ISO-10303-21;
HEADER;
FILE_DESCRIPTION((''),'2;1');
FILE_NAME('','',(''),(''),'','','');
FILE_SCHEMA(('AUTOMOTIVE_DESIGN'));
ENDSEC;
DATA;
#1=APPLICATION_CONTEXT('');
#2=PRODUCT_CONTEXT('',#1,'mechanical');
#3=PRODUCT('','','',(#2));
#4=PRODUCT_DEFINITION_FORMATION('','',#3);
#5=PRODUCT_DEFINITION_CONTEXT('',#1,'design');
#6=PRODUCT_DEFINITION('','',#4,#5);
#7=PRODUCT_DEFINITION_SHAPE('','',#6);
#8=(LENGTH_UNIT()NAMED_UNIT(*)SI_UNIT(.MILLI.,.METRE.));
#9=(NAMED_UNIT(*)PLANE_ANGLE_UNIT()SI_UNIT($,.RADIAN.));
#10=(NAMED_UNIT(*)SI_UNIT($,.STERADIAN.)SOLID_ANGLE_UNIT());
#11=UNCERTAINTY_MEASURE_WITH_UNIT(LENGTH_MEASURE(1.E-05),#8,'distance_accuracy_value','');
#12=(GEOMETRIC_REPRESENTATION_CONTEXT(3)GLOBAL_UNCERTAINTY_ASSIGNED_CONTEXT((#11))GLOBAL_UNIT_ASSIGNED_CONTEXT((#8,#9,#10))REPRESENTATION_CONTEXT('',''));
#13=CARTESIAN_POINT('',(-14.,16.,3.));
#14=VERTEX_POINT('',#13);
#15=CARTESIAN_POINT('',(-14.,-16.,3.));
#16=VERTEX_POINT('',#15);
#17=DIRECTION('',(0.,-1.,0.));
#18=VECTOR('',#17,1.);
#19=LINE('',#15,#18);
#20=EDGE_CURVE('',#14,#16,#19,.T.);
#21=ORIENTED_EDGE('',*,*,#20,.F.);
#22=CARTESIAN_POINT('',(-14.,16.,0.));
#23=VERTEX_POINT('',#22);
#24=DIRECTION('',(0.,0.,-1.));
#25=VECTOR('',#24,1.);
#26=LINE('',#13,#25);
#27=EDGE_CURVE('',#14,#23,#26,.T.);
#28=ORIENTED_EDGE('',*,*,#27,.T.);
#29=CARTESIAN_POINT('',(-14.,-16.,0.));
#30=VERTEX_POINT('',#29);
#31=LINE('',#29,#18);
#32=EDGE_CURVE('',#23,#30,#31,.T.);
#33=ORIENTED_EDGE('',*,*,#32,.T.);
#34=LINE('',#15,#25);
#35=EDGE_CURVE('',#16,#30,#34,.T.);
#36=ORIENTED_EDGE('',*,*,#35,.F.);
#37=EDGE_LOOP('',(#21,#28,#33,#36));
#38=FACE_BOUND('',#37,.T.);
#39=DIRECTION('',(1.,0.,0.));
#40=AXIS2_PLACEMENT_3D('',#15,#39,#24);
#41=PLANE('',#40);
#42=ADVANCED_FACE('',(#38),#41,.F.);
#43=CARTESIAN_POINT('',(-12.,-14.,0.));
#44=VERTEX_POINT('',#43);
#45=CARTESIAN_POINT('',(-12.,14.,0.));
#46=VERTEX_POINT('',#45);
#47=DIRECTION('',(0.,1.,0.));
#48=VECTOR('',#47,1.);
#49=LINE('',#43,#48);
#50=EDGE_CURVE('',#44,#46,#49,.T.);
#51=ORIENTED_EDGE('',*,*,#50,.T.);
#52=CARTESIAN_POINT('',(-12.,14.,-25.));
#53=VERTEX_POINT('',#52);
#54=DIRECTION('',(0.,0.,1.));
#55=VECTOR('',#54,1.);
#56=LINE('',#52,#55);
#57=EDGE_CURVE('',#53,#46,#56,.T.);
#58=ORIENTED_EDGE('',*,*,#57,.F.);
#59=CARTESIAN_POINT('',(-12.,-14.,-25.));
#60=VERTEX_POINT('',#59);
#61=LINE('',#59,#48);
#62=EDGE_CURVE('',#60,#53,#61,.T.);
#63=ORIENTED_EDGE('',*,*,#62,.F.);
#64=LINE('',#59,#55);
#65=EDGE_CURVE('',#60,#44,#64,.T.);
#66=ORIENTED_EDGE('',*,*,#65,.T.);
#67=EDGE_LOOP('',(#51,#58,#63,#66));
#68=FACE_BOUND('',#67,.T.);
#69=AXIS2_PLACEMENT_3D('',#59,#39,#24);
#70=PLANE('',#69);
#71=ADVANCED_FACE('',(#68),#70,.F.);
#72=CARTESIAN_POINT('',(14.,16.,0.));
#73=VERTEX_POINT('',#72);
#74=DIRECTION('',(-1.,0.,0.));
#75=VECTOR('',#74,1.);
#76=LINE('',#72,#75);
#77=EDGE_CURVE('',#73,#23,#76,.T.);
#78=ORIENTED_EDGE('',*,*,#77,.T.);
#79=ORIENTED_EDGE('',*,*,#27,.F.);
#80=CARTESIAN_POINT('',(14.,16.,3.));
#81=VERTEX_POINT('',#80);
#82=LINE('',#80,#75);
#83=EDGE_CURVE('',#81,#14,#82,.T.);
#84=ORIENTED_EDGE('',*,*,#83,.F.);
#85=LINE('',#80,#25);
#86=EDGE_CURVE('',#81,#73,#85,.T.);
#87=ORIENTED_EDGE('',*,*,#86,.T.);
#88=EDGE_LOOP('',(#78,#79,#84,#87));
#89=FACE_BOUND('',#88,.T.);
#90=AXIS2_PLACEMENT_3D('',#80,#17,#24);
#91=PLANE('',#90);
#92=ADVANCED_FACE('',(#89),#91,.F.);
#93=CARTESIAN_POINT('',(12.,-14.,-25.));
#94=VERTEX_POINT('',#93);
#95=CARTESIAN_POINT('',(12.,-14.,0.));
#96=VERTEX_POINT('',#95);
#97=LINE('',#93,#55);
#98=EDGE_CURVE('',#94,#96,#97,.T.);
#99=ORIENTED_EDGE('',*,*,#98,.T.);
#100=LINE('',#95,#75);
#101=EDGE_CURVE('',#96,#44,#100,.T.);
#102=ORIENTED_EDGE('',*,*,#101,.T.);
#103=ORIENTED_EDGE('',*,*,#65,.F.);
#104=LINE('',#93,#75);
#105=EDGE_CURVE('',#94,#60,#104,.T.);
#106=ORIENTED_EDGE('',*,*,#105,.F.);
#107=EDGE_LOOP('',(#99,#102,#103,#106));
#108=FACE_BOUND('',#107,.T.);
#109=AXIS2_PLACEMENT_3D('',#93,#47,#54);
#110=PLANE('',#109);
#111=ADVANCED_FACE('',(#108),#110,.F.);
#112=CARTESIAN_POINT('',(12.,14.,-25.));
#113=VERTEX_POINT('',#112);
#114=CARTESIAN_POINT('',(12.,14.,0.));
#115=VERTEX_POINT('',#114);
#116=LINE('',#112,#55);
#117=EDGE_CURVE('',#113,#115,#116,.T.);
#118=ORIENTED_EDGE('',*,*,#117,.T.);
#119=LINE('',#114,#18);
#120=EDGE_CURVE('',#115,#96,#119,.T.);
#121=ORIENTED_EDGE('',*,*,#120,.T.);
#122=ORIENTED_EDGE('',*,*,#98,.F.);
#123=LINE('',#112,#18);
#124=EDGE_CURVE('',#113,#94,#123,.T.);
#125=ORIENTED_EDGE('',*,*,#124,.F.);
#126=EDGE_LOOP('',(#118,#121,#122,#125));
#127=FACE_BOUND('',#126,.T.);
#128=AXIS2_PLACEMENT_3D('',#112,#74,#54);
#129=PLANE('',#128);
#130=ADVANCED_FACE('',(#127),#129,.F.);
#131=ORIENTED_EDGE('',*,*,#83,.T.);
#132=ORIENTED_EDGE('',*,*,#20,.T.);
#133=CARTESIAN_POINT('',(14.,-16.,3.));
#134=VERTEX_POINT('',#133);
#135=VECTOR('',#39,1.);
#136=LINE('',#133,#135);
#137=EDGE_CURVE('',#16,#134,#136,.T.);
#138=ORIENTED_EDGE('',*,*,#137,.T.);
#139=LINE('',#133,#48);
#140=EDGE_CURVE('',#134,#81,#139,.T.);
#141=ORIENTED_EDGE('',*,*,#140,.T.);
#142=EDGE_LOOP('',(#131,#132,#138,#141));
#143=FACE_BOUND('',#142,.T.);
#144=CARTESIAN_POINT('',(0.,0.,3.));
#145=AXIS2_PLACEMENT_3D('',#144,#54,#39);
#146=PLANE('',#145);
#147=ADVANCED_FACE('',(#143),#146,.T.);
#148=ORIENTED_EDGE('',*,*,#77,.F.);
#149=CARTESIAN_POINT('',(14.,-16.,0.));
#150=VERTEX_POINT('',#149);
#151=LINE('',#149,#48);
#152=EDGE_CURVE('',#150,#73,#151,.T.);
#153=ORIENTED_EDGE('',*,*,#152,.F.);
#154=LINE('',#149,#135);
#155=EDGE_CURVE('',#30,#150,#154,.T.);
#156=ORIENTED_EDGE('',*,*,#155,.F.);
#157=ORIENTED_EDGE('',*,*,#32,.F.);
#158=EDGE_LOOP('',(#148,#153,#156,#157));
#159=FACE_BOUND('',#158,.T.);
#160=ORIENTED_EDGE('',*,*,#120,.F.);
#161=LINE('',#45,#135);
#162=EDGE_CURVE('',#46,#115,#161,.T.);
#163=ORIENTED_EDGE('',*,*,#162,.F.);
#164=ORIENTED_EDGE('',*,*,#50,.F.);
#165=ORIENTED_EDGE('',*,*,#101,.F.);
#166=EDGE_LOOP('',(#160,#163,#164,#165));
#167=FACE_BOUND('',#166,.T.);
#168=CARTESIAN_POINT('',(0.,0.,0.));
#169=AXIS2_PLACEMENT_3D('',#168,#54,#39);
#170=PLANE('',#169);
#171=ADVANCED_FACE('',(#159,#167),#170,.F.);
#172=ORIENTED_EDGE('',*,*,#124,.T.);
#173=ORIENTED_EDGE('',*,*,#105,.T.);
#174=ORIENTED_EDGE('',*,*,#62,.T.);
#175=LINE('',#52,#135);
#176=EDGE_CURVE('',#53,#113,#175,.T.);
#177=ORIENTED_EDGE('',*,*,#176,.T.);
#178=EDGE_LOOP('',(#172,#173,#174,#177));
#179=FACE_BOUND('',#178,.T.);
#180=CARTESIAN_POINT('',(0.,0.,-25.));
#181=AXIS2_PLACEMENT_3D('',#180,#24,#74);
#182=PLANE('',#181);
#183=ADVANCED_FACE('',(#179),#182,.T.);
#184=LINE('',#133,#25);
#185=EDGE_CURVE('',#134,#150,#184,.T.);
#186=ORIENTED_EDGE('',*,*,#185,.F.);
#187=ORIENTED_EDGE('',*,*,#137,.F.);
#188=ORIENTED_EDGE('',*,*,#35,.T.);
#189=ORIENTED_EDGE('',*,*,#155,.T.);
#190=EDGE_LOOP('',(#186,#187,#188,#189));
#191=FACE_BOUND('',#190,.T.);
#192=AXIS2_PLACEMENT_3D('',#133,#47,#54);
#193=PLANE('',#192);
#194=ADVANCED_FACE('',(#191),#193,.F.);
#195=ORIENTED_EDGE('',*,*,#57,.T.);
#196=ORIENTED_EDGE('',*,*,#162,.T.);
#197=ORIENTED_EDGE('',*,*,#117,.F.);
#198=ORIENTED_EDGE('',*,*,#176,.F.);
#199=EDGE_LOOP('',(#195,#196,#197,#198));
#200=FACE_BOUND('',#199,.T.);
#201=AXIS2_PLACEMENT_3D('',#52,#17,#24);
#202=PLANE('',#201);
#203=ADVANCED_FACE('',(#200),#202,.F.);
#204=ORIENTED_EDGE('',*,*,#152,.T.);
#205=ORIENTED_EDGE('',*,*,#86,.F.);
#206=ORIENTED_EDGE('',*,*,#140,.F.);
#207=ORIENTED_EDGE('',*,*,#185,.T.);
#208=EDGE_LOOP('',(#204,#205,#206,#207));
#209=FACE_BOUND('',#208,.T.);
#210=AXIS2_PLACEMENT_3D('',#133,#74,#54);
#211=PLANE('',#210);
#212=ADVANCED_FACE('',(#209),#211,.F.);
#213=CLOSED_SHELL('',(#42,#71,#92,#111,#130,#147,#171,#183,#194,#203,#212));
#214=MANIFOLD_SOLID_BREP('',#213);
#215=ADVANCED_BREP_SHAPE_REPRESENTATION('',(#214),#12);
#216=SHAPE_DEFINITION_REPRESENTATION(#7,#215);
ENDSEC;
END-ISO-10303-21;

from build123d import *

# Parameters (mm, degrees)
SKETCH_1_W      = 28
SKETCH_1_H      = 32
EXTRUDE_1_DEPTH = 3
SKETCH_2_W      = 24
SKETCH_2_H      = 28
EXTRUDE_2_DEPTH = 25


with BuildPart() as part:
    # Эскиз1 → Бобышка-Вытянуть1 (new body)
    with BuildSketch(Plane.XY):
        Rectangle(SKETCH_1_W, SKETCH_1_H)
    extrude(amount=EXTRUDE_1_DEPTH)

    # Эскиз2 → Бобышка-Вытянуть2 (add)
    with BuildSketch(Plane(origin=(0, 0, 0), x_dir=(-1, 0, 0), z_dir=(0, 0, -1))):
        Rectangle(SKETCH_2_W, SKETCH_2_H)
    extrude(amount=EXTRUDE_2_DEPTH)


solid = part.part
